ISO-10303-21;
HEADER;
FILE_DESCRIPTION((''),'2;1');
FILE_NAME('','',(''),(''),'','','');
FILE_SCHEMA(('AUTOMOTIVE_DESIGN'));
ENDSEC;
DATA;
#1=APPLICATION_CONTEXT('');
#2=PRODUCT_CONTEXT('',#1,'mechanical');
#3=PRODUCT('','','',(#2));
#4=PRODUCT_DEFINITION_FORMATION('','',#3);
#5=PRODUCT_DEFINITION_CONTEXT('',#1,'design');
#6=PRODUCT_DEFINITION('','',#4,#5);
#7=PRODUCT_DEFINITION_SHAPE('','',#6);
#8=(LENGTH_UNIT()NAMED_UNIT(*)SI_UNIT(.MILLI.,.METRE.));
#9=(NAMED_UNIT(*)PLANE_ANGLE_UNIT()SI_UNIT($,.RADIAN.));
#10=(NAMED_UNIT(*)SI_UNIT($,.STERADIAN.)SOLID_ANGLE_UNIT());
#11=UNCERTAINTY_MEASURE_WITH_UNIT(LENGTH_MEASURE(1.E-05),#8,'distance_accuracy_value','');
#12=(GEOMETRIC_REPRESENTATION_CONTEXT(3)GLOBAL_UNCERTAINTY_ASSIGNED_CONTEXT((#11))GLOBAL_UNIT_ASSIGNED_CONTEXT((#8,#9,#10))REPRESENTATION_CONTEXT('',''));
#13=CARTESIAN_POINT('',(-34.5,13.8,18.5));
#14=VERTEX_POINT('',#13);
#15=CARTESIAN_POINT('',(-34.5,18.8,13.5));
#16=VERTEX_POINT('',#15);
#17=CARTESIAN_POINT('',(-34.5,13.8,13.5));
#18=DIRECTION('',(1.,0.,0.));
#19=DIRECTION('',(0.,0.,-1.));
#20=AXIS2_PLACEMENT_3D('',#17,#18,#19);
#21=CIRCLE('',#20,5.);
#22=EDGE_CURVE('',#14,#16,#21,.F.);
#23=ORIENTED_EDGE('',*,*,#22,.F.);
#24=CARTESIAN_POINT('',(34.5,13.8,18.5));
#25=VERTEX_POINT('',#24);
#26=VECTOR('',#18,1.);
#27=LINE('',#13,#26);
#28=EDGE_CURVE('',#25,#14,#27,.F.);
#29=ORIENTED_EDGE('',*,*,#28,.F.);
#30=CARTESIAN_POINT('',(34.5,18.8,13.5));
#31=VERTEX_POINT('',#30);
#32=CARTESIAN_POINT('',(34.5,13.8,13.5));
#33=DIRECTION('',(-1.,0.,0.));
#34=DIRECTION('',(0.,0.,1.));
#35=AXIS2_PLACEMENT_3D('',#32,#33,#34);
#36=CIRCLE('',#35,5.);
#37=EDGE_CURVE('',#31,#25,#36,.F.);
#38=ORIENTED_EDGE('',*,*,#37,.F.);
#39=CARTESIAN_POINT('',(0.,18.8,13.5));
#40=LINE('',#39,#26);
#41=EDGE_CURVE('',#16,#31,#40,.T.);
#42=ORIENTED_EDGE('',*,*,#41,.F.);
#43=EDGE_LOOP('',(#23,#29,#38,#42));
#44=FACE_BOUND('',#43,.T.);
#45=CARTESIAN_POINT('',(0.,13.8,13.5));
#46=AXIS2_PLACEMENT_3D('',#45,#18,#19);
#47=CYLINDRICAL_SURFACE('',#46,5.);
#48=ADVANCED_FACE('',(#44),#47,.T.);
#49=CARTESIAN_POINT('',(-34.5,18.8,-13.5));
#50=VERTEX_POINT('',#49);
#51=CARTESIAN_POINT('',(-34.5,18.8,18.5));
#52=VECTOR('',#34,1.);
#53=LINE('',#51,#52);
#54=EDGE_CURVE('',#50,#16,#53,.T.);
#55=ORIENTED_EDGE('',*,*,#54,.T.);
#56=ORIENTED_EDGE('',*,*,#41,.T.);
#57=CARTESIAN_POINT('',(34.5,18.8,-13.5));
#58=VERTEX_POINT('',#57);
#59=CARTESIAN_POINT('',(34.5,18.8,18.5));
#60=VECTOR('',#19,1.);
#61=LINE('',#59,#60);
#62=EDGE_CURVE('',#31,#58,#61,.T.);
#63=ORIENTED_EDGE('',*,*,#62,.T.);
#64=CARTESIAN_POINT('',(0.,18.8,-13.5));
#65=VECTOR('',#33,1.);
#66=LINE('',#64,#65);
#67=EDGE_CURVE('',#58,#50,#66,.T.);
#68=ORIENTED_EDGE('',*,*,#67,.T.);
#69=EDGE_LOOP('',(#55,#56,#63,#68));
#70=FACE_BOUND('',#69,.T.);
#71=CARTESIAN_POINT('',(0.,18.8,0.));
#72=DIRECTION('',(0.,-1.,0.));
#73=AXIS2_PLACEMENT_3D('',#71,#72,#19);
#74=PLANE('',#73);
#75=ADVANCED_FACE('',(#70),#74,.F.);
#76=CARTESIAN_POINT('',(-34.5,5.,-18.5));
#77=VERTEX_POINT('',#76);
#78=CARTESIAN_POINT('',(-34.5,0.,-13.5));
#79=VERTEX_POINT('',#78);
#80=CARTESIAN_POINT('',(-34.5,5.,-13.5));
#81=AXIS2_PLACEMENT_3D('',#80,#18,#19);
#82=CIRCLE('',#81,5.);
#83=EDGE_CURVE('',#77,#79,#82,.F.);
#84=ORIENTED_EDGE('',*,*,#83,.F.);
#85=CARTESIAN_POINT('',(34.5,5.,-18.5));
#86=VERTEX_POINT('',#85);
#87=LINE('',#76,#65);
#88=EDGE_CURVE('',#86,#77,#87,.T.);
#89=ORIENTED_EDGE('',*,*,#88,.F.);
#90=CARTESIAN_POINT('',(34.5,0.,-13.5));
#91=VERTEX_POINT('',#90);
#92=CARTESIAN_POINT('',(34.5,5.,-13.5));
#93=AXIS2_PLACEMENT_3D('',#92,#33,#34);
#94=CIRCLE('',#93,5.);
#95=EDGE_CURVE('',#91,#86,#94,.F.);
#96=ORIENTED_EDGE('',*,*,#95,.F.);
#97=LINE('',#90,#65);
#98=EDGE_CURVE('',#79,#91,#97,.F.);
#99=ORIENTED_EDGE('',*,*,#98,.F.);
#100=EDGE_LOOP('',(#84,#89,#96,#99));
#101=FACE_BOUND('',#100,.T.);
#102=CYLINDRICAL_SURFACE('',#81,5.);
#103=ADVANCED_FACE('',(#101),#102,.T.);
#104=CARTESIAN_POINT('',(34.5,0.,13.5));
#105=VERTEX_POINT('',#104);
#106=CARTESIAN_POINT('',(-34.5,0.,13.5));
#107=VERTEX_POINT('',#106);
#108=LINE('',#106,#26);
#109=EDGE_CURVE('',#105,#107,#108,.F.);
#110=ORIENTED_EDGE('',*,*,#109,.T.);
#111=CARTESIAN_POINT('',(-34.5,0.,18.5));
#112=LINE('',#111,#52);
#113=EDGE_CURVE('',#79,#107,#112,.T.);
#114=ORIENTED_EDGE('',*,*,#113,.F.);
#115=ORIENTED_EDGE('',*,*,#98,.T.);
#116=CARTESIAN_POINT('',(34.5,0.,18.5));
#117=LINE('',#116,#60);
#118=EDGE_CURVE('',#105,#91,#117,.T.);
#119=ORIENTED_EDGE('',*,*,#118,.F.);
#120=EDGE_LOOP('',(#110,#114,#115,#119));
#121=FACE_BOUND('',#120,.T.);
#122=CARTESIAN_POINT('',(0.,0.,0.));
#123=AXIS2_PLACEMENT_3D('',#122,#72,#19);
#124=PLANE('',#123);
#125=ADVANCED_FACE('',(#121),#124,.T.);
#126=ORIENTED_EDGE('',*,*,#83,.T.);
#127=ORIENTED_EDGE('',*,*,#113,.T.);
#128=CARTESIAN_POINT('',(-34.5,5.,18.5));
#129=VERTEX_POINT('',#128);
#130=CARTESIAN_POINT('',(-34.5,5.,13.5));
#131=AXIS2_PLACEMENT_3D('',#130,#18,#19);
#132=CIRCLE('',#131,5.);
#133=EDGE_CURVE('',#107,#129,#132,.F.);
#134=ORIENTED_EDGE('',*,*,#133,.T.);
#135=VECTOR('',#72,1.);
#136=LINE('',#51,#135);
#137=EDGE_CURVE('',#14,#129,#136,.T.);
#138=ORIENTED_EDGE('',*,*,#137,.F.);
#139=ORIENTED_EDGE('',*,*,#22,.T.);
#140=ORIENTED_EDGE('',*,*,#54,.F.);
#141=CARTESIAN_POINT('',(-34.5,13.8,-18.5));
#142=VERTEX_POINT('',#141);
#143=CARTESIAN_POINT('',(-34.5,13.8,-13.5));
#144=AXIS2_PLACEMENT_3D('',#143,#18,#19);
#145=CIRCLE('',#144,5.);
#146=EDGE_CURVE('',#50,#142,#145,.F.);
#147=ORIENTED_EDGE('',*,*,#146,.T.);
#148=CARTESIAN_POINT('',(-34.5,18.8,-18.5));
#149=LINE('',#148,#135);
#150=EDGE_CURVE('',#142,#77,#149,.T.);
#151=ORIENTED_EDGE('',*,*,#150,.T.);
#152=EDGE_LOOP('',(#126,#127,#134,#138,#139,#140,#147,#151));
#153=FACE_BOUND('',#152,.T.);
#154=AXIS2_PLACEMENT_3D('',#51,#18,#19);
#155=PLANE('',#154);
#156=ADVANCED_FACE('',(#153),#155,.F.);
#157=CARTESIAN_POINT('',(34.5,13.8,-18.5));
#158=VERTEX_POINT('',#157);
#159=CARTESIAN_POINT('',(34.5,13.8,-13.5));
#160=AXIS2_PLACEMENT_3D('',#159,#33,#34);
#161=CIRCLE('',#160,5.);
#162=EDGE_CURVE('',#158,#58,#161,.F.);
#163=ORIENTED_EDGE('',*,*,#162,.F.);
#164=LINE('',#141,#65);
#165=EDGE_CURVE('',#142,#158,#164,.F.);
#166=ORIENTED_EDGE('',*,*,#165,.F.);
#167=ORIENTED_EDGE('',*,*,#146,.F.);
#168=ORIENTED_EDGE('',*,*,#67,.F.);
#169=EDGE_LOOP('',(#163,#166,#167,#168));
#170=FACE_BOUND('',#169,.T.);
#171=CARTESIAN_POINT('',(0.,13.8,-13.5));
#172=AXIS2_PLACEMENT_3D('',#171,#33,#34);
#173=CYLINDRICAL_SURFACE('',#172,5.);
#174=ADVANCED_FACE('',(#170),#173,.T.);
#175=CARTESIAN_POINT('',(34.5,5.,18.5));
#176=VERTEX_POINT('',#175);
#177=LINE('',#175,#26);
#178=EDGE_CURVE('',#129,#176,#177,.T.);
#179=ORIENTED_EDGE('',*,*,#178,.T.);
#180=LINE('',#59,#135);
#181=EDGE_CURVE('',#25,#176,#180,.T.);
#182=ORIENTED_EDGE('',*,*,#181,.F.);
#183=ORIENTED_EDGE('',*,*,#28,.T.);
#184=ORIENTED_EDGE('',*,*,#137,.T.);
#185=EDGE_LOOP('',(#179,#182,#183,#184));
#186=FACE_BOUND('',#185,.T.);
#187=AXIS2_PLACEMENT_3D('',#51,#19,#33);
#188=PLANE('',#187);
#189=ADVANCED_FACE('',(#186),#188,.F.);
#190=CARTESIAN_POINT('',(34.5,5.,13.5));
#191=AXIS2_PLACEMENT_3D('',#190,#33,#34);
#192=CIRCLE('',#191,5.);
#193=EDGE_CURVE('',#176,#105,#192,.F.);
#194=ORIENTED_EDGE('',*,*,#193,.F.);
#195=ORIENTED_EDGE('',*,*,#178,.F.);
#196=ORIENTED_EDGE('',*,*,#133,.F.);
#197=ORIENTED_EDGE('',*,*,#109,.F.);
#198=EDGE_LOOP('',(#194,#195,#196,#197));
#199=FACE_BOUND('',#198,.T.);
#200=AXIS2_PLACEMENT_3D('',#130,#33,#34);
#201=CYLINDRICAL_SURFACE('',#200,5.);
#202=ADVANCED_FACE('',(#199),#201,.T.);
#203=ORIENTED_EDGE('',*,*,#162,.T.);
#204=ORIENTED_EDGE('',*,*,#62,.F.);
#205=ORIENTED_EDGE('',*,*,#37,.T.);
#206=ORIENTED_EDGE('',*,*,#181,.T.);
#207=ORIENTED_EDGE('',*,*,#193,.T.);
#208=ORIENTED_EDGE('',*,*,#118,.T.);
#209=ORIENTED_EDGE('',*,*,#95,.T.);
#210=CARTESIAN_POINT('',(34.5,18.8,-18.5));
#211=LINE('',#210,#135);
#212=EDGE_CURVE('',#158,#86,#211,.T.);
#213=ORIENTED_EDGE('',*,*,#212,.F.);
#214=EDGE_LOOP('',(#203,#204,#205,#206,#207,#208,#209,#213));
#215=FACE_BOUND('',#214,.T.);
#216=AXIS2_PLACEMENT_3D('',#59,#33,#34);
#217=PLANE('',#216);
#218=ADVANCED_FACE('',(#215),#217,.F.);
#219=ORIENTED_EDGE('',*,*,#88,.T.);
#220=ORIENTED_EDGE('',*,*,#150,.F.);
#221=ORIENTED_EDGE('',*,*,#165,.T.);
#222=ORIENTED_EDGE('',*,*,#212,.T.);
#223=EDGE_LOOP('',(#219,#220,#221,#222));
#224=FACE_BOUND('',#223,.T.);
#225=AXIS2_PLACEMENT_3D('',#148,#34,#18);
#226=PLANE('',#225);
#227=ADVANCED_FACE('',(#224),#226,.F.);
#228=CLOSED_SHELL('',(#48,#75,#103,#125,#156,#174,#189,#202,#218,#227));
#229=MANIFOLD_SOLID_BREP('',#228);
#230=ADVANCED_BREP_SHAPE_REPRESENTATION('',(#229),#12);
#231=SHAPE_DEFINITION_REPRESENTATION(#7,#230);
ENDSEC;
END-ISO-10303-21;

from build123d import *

# Parameters (mm, degrees)
SKETCH_1_W      = 69
SKETCH_1_H      = 37
EXTRUDE_1_DEPTH = 18.8
FILLET_1_R      = 5


with BuildPart() as part:
    # 草图1 → 凸台-拉伸1 (new body)
    with BuildSketch(Plane(origin=(0, 0, 0), x_dir=(1, 0, 0), z_dir=(0, 1, 0))):
        Rectangle(SKETCH_1_W, SKETCH_1_H)
    extrude(amount=EXTRUDE_1_DEPTH)

    # 圆角1
    fillet_1_edges = [part.edges().sort_by_distance(p)[0] for p in [
        (0, 18.8, 18.5),
        (0, 0, 18.5),
        (0, 0, -18.5),
        (0, 18.8, -18.5),
    ]]
    fillet(fillet_1_edges, radius=FILLET_1_R)


solid = part.part
